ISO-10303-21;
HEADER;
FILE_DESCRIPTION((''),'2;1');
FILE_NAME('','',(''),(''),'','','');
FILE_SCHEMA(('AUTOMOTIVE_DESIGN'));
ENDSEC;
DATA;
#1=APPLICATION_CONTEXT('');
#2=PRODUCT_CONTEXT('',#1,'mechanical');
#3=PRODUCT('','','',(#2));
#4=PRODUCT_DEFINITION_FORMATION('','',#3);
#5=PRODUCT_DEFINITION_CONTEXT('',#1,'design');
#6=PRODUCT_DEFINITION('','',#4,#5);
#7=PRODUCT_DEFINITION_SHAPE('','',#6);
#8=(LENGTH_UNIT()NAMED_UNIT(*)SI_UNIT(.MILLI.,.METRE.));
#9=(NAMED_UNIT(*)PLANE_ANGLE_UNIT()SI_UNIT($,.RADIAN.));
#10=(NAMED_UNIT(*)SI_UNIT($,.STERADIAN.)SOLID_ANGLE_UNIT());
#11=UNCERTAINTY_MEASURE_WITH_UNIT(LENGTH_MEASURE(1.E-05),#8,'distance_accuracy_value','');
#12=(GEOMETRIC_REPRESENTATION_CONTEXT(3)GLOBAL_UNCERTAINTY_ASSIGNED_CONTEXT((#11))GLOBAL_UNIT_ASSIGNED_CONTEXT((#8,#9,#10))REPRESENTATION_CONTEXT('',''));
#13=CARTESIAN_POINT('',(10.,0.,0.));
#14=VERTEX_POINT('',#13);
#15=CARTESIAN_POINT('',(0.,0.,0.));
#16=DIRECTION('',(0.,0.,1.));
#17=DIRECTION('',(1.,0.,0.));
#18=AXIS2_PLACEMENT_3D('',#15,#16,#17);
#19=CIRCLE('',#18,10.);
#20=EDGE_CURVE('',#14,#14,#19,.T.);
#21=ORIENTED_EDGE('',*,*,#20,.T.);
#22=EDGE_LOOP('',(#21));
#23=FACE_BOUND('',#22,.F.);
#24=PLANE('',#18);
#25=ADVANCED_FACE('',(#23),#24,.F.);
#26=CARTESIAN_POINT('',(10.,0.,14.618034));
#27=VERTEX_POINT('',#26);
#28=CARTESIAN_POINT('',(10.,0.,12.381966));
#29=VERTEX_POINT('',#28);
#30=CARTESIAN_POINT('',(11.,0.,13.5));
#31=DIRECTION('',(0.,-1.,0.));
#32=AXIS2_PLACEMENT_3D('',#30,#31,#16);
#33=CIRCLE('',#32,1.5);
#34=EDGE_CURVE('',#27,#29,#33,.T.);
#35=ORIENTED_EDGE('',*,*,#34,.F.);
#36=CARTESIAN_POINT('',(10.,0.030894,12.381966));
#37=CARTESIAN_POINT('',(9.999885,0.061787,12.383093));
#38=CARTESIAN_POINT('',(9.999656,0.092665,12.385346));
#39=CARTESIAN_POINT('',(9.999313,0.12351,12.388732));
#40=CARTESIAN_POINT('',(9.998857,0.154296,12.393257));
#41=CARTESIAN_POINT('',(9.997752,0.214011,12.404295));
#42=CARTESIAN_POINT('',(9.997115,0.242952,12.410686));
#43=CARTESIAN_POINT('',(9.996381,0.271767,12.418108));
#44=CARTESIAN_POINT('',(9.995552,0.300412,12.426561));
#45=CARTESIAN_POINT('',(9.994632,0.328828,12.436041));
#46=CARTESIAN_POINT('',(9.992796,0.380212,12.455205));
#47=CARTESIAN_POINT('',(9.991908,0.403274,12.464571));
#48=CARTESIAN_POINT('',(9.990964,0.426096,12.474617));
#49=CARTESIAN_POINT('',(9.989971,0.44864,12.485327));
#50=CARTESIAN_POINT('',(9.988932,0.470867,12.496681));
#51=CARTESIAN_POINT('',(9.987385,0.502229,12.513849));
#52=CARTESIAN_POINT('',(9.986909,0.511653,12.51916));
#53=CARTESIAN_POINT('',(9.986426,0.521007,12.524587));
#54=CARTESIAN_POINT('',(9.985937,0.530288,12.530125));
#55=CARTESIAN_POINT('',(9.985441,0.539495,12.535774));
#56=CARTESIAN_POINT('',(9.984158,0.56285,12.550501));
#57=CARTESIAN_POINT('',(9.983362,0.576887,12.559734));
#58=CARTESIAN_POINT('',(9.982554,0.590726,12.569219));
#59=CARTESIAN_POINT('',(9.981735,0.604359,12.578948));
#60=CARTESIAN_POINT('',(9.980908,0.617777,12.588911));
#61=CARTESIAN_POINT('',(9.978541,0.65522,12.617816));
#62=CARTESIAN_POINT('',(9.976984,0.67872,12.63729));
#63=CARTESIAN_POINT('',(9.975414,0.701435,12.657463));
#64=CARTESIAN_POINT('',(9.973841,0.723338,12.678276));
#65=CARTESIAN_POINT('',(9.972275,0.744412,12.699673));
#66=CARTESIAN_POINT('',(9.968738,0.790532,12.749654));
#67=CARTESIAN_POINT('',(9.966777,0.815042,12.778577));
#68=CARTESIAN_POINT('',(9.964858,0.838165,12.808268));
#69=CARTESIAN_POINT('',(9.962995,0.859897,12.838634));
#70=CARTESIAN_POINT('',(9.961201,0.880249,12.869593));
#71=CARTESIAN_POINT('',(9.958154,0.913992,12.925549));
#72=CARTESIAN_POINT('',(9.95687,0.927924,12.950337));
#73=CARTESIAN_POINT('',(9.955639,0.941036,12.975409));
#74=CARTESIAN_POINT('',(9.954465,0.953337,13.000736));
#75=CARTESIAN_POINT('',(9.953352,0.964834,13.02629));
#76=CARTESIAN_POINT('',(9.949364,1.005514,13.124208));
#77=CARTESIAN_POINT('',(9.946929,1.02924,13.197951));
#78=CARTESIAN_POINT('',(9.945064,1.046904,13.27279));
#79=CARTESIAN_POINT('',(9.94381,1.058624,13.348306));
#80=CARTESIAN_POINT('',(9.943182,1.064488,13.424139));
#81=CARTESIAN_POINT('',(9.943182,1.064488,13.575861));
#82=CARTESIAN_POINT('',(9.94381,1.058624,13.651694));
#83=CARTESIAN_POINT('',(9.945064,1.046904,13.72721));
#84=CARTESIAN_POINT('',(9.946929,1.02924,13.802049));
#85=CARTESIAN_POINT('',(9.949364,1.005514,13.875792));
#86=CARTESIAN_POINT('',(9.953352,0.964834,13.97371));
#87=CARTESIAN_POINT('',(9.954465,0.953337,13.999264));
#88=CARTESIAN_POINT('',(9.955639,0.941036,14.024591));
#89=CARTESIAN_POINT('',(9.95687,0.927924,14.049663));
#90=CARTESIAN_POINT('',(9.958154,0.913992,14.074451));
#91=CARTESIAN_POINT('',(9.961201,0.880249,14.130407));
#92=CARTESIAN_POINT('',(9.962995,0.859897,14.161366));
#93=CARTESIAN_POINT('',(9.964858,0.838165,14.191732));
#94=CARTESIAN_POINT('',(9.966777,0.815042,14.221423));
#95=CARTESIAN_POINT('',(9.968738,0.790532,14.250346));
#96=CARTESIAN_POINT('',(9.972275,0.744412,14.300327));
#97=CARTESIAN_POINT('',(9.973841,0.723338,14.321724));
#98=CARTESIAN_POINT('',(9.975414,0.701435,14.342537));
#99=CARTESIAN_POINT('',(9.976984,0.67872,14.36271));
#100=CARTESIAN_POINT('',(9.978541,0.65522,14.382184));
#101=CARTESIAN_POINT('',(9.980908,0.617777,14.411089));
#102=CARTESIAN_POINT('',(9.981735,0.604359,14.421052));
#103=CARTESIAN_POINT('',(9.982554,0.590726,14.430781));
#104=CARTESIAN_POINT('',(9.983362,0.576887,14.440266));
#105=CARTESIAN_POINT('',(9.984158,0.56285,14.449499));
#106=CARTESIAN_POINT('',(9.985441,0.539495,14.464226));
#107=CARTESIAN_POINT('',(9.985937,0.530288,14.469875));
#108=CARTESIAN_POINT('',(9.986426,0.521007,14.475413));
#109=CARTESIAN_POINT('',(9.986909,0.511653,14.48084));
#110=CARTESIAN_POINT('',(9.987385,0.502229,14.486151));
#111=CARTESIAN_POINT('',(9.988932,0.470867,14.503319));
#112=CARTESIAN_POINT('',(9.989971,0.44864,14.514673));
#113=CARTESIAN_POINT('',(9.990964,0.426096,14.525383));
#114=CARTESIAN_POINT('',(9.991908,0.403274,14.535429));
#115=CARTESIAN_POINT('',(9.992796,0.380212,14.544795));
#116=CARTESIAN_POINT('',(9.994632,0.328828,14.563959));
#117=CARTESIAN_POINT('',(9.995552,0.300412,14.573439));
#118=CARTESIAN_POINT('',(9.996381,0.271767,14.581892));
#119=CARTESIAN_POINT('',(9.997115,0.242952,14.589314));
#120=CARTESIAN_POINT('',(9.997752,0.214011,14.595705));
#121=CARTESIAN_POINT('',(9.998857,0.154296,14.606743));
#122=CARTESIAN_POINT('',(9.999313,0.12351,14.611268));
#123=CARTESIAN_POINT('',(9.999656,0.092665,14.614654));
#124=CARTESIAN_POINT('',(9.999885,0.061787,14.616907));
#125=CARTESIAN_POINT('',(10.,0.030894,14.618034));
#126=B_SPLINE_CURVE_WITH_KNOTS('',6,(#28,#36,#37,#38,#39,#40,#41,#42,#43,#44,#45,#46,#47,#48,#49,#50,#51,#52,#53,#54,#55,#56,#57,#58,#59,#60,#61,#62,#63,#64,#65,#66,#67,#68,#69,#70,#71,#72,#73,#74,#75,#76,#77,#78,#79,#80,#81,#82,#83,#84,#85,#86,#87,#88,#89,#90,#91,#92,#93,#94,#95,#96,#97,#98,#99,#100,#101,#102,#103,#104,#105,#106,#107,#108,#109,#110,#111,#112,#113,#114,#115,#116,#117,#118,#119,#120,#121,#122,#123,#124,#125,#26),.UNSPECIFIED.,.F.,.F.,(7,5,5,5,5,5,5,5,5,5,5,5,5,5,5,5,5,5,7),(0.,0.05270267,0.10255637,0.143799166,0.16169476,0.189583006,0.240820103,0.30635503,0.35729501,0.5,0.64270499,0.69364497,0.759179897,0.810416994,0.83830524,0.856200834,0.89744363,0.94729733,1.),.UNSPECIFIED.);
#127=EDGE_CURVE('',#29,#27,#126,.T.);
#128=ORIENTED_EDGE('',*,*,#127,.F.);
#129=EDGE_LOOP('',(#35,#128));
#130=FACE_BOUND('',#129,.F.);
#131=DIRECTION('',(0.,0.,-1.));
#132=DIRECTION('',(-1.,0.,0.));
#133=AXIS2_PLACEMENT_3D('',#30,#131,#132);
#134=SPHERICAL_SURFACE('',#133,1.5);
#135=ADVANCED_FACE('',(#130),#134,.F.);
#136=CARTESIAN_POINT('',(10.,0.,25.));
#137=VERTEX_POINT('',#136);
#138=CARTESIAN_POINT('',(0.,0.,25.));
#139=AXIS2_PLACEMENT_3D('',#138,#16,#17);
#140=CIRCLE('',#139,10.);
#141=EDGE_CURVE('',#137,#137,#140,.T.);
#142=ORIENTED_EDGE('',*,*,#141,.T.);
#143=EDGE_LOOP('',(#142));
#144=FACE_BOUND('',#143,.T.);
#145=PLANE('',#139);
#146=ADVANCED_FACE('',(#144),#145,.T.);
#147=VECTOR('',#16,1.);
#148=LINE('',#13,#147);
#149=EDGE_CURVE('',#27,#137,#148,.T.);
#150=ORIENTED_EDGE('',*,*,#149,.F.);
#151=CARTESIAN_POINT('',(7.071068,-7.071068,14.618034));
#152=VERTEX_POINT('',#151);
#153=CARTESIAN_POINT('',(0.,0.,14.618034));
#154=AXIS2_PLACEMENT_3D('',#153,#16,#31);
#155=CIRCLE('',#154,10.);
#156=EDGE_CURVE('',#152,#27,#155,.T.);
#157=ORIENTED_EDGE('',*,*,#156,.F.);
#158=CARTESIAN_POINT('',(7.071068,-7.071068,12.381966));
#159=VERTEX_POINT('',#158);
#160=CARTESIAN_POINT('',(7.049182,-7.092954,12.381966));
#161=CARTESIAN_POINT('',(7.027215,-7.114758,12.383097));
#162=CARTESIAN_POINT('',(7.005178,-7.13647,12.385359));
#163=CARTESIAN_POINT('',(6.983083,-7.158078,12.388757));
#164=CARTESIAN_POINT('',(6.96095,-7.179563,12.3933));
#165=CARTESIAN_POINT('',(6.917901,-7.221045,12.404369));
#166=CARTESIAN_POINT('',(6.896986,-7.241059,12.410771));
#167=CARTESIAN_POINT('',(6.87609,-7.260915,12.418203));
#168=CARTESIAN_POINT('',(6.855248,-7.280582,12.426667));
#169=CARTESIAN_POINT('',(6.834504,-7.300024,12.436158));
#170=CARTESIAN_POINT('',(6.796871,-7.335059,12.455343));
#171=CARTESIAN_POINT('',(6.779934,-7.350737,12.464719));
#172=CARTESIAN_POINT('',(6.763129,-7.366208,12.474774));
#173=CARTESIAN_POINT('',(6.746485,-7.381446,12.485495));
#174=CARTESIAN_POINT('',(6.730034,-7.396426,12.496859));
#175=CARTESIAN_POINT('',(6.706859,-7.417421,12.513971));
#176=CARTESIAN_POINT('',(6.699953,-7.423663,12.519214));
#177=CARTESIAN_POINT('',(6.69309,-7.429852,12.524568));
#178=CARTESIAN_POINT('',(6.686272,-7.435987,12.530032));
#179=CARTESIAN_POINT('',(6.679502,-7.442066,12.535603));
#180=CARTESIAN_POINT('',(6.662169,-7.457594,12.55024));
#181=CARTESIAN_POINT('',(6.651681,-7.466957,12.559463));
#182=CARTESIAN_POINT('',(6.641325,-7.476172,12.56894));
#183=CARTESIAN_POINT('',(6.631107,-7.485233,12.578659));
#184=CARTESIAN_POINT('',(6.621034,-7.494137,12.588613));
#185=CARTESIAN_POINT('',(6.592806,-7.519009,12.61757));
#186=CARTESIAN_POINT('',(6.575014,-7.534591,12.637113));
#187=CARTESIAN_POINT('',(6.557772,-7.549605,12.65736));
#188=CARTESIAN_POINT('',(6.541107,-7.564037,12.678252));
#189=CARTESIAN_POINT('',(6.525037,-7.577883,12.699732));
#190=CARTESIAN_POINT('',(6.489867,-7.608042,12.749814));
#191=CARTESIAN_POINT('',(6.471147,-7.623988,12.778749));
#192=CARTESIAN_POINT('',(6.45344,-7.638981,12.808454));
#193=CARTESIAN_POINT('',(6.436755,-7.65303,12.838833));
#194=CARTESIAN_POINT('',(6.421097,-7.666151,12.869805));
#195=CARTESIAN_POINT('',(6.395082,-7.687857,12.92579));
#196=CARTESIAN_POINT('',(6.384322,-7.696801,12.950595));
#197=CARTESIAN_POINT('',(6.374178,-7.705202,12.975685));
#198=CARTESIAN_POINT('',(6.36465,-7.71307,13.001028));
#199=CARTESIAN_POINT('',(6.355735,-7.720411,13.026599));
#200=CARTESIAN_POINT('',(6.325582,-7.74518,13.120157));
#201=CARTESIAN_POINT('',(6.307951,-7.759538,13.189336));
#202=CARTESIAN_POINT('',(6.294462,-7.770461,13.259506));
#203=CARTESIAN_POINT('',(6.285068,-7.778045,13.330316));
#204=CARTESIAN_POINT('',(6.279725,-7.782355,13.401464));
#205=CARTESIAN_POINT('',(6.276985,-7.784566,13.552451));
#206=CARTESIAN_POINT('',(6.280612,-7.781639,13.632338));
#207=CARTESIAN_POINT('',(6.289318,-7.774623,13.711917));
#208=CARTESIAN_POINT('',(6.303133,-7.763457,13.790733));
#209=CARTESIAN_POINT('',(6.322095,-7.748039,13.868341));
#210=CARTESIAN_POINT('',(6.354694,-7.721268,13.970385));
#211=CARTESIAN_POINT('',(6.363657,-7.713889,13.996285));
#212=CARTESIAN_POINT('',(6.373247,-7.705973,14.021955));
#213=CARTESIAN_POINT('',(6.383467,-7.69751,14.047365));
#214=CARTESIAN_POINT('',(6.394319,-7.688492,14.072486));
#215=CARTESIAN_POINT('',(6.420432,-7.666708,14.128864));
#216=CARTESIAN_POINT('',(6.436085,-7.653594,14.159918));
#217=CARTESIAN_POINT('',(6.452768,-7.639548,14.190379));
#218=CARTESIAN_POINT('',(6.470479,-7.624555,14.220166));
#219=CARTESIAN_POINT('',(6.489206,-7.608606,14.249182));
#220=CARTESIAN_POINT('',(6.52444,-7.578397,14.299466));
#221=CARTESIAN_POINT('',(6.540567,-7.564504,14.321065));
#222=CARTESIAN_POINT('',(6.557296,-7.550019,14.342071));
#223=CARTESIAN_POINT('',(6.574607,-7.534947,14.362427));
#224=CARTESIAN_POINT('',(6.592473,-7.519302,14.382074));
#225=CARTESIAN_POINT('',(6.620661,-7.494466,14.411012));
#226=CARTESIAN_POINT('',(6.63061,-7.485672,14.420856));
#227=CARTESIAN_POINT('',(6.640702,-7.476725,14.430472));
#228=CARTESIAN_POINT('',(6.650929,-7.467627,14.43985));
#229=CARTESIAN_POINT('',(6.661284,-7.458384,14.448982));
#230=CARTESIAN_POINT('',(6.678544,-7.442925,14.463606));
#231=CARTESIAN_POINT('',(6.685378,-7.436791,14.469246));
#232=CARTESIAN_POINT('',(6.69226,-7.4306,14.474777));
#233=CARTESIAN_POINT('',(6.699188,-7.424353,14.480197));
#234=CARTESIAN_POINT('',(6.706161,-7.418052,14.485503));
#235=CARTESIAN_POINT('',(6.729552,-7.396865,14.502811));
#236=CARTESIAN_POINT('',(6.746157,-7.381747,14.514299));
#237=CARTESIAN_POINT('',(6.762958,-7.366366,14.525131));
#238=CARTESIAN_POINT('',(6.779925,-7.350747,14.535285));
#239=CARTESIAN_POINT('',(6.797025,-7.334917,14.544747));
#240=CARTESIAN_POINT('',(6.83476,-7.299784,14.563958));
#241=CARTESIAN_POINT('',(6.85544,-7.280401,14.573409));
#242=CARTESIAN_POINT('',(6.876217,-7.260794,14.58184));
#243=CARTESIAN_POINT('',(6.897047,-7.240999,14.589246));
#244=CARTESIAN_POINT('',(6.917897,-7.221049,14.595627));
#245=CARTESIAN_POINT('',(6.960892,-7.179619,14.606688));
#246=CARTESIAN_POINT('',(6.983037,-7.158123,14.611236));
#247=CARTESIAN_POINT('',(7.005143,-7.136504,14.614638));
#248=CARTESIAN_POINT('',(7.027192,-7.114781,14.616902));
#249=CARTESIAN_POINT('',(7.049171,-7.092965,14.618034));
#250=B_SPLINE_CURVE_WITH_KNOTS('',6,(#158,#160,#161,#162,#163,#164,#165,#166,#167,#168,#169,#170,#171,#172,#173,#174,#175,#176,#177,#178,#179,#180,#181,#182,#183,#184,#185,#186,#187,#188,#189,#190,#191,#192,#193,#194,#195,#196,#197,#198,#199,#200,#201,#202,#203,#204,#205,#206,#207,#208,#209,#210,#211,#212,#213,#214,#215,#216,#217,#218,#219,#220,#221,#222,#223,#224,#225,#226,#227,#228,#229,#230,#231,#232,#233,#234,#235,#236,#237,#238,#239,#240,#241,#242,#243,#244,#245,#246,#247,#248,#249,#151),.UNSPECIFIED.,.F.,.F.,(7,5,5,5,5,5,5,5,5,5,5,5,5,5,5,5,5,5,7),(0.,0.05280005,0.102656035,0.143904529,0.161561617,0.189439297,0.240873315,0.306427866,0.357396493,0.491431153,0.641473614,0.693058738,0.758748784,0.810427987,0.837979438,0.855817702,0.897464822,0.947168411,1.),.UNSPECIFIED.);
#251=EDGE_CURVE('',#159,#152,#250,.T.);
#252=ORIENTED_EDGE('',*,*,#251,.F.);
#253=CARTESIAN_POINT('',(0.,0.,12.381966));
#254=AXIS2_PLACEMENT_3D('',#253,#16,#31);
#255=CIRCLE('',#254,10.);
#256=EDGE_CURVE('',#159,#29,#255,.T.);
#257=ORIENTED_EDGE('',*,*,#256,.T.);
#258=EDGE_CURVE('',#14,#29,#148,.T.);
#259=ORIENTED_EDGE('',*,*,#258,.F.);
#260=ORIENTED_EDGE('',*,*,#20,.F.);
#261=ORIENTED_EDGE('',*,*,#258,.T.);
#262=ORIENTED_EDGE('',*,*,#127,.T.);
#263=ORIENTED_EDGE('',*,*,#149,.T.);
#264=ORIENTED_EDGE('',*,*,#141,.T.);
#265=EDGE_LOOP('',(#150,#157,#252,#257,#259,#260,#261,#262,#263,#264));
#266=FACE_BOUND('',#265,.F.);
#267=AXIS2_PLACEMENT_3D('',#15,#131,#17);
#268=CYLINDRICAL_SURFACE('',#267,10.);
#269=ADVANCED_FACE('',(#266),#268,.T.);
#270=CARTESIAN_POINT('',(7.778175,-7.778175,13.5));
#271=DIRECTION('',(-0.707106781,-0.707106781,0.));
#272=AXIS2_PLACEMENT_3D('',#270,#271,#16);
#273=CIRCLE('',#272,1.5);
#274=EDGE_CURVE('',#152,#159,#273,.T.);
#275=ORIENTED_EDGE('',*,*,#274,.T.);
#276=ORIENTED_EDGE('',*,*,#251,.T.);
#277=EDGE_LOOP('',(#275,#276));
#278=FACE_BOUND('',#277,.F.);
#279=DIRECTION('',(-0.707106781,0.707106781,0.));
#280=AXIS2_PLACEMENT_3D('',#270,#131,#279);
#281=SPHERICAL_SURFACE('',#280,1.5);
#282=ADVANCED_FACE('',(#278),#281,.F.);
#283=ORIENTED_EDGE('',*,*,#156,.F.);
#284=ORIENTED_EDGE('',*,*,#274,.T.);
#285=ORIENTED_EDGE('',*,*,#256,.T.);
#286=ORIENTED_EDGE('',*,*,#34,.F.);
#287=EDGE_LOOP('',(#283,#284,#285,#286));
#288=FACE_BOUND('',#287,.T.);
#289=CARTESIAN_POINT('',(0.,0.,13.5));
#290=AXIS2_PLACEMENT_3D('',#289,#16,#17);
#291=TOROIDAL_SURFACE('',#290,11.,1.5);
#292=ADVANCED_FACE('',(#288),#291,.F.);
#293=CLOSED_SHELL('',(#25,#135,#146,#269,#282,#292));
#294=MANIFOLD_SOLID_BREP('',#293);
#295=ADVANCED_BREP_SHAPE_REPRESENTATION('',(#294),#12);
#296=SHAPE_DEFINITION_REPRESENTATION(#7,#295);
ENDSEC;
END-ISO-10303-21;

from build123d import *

# Parameters (mm, degrees)
F0_R     = 10
F1_DEPTH = 25
F3_ANGLE = -45
F5_ANGLE = -45


with BuildPart() as f1:
    # F0 (on Top) → F1 (new body)
    with BuildSketch(Plane.XY):
        Circle(F0_R)
    extrude(amount=F1_DEPTH)

    # F2 (on Front) → F3 (revolve, cut)
    with BuildSketch(Plane.XZ):
        with BuildLine():
            Line((11, 12), (11, 15))
            ThreePointArc((11, 15), (9.5, 13.5), (11, 12))
        make_face()
    revolve(axis=Axis((0, 0, 25), (0, 0, 1)), revolution_arc=F3_ANGLE, mode=Mode.SUBTRACT)


with BuildPart() as f4:
    # F2 (on Front) → F4 (revolve)
    with BuildSketch(Plane.XZ):
        with BuildLine():
            Line((11, 12), (11, 15))
            ThreePointArc((11, 15), (9.5, 13.5), (11, 12))
        make_face()
    revolve(axis=Axis((11, 0, 13.5), (0, 0, -1)))


with BuildPart() as f5_1:
    # F5: copy of F4
    add(f4.part.rotate(Axis((0, 0, 25), (0, 0, 1)), F5_ANGLE))


with BuildPart() as f1_1:
    add(f1.part)

    # F6: cut F5_1, F4
    add(f5_1.part, mode=Mode.SUBTRACT)
    add(f4.part, mode=Mode.SUBTRACT)


solid = f1_1.part
